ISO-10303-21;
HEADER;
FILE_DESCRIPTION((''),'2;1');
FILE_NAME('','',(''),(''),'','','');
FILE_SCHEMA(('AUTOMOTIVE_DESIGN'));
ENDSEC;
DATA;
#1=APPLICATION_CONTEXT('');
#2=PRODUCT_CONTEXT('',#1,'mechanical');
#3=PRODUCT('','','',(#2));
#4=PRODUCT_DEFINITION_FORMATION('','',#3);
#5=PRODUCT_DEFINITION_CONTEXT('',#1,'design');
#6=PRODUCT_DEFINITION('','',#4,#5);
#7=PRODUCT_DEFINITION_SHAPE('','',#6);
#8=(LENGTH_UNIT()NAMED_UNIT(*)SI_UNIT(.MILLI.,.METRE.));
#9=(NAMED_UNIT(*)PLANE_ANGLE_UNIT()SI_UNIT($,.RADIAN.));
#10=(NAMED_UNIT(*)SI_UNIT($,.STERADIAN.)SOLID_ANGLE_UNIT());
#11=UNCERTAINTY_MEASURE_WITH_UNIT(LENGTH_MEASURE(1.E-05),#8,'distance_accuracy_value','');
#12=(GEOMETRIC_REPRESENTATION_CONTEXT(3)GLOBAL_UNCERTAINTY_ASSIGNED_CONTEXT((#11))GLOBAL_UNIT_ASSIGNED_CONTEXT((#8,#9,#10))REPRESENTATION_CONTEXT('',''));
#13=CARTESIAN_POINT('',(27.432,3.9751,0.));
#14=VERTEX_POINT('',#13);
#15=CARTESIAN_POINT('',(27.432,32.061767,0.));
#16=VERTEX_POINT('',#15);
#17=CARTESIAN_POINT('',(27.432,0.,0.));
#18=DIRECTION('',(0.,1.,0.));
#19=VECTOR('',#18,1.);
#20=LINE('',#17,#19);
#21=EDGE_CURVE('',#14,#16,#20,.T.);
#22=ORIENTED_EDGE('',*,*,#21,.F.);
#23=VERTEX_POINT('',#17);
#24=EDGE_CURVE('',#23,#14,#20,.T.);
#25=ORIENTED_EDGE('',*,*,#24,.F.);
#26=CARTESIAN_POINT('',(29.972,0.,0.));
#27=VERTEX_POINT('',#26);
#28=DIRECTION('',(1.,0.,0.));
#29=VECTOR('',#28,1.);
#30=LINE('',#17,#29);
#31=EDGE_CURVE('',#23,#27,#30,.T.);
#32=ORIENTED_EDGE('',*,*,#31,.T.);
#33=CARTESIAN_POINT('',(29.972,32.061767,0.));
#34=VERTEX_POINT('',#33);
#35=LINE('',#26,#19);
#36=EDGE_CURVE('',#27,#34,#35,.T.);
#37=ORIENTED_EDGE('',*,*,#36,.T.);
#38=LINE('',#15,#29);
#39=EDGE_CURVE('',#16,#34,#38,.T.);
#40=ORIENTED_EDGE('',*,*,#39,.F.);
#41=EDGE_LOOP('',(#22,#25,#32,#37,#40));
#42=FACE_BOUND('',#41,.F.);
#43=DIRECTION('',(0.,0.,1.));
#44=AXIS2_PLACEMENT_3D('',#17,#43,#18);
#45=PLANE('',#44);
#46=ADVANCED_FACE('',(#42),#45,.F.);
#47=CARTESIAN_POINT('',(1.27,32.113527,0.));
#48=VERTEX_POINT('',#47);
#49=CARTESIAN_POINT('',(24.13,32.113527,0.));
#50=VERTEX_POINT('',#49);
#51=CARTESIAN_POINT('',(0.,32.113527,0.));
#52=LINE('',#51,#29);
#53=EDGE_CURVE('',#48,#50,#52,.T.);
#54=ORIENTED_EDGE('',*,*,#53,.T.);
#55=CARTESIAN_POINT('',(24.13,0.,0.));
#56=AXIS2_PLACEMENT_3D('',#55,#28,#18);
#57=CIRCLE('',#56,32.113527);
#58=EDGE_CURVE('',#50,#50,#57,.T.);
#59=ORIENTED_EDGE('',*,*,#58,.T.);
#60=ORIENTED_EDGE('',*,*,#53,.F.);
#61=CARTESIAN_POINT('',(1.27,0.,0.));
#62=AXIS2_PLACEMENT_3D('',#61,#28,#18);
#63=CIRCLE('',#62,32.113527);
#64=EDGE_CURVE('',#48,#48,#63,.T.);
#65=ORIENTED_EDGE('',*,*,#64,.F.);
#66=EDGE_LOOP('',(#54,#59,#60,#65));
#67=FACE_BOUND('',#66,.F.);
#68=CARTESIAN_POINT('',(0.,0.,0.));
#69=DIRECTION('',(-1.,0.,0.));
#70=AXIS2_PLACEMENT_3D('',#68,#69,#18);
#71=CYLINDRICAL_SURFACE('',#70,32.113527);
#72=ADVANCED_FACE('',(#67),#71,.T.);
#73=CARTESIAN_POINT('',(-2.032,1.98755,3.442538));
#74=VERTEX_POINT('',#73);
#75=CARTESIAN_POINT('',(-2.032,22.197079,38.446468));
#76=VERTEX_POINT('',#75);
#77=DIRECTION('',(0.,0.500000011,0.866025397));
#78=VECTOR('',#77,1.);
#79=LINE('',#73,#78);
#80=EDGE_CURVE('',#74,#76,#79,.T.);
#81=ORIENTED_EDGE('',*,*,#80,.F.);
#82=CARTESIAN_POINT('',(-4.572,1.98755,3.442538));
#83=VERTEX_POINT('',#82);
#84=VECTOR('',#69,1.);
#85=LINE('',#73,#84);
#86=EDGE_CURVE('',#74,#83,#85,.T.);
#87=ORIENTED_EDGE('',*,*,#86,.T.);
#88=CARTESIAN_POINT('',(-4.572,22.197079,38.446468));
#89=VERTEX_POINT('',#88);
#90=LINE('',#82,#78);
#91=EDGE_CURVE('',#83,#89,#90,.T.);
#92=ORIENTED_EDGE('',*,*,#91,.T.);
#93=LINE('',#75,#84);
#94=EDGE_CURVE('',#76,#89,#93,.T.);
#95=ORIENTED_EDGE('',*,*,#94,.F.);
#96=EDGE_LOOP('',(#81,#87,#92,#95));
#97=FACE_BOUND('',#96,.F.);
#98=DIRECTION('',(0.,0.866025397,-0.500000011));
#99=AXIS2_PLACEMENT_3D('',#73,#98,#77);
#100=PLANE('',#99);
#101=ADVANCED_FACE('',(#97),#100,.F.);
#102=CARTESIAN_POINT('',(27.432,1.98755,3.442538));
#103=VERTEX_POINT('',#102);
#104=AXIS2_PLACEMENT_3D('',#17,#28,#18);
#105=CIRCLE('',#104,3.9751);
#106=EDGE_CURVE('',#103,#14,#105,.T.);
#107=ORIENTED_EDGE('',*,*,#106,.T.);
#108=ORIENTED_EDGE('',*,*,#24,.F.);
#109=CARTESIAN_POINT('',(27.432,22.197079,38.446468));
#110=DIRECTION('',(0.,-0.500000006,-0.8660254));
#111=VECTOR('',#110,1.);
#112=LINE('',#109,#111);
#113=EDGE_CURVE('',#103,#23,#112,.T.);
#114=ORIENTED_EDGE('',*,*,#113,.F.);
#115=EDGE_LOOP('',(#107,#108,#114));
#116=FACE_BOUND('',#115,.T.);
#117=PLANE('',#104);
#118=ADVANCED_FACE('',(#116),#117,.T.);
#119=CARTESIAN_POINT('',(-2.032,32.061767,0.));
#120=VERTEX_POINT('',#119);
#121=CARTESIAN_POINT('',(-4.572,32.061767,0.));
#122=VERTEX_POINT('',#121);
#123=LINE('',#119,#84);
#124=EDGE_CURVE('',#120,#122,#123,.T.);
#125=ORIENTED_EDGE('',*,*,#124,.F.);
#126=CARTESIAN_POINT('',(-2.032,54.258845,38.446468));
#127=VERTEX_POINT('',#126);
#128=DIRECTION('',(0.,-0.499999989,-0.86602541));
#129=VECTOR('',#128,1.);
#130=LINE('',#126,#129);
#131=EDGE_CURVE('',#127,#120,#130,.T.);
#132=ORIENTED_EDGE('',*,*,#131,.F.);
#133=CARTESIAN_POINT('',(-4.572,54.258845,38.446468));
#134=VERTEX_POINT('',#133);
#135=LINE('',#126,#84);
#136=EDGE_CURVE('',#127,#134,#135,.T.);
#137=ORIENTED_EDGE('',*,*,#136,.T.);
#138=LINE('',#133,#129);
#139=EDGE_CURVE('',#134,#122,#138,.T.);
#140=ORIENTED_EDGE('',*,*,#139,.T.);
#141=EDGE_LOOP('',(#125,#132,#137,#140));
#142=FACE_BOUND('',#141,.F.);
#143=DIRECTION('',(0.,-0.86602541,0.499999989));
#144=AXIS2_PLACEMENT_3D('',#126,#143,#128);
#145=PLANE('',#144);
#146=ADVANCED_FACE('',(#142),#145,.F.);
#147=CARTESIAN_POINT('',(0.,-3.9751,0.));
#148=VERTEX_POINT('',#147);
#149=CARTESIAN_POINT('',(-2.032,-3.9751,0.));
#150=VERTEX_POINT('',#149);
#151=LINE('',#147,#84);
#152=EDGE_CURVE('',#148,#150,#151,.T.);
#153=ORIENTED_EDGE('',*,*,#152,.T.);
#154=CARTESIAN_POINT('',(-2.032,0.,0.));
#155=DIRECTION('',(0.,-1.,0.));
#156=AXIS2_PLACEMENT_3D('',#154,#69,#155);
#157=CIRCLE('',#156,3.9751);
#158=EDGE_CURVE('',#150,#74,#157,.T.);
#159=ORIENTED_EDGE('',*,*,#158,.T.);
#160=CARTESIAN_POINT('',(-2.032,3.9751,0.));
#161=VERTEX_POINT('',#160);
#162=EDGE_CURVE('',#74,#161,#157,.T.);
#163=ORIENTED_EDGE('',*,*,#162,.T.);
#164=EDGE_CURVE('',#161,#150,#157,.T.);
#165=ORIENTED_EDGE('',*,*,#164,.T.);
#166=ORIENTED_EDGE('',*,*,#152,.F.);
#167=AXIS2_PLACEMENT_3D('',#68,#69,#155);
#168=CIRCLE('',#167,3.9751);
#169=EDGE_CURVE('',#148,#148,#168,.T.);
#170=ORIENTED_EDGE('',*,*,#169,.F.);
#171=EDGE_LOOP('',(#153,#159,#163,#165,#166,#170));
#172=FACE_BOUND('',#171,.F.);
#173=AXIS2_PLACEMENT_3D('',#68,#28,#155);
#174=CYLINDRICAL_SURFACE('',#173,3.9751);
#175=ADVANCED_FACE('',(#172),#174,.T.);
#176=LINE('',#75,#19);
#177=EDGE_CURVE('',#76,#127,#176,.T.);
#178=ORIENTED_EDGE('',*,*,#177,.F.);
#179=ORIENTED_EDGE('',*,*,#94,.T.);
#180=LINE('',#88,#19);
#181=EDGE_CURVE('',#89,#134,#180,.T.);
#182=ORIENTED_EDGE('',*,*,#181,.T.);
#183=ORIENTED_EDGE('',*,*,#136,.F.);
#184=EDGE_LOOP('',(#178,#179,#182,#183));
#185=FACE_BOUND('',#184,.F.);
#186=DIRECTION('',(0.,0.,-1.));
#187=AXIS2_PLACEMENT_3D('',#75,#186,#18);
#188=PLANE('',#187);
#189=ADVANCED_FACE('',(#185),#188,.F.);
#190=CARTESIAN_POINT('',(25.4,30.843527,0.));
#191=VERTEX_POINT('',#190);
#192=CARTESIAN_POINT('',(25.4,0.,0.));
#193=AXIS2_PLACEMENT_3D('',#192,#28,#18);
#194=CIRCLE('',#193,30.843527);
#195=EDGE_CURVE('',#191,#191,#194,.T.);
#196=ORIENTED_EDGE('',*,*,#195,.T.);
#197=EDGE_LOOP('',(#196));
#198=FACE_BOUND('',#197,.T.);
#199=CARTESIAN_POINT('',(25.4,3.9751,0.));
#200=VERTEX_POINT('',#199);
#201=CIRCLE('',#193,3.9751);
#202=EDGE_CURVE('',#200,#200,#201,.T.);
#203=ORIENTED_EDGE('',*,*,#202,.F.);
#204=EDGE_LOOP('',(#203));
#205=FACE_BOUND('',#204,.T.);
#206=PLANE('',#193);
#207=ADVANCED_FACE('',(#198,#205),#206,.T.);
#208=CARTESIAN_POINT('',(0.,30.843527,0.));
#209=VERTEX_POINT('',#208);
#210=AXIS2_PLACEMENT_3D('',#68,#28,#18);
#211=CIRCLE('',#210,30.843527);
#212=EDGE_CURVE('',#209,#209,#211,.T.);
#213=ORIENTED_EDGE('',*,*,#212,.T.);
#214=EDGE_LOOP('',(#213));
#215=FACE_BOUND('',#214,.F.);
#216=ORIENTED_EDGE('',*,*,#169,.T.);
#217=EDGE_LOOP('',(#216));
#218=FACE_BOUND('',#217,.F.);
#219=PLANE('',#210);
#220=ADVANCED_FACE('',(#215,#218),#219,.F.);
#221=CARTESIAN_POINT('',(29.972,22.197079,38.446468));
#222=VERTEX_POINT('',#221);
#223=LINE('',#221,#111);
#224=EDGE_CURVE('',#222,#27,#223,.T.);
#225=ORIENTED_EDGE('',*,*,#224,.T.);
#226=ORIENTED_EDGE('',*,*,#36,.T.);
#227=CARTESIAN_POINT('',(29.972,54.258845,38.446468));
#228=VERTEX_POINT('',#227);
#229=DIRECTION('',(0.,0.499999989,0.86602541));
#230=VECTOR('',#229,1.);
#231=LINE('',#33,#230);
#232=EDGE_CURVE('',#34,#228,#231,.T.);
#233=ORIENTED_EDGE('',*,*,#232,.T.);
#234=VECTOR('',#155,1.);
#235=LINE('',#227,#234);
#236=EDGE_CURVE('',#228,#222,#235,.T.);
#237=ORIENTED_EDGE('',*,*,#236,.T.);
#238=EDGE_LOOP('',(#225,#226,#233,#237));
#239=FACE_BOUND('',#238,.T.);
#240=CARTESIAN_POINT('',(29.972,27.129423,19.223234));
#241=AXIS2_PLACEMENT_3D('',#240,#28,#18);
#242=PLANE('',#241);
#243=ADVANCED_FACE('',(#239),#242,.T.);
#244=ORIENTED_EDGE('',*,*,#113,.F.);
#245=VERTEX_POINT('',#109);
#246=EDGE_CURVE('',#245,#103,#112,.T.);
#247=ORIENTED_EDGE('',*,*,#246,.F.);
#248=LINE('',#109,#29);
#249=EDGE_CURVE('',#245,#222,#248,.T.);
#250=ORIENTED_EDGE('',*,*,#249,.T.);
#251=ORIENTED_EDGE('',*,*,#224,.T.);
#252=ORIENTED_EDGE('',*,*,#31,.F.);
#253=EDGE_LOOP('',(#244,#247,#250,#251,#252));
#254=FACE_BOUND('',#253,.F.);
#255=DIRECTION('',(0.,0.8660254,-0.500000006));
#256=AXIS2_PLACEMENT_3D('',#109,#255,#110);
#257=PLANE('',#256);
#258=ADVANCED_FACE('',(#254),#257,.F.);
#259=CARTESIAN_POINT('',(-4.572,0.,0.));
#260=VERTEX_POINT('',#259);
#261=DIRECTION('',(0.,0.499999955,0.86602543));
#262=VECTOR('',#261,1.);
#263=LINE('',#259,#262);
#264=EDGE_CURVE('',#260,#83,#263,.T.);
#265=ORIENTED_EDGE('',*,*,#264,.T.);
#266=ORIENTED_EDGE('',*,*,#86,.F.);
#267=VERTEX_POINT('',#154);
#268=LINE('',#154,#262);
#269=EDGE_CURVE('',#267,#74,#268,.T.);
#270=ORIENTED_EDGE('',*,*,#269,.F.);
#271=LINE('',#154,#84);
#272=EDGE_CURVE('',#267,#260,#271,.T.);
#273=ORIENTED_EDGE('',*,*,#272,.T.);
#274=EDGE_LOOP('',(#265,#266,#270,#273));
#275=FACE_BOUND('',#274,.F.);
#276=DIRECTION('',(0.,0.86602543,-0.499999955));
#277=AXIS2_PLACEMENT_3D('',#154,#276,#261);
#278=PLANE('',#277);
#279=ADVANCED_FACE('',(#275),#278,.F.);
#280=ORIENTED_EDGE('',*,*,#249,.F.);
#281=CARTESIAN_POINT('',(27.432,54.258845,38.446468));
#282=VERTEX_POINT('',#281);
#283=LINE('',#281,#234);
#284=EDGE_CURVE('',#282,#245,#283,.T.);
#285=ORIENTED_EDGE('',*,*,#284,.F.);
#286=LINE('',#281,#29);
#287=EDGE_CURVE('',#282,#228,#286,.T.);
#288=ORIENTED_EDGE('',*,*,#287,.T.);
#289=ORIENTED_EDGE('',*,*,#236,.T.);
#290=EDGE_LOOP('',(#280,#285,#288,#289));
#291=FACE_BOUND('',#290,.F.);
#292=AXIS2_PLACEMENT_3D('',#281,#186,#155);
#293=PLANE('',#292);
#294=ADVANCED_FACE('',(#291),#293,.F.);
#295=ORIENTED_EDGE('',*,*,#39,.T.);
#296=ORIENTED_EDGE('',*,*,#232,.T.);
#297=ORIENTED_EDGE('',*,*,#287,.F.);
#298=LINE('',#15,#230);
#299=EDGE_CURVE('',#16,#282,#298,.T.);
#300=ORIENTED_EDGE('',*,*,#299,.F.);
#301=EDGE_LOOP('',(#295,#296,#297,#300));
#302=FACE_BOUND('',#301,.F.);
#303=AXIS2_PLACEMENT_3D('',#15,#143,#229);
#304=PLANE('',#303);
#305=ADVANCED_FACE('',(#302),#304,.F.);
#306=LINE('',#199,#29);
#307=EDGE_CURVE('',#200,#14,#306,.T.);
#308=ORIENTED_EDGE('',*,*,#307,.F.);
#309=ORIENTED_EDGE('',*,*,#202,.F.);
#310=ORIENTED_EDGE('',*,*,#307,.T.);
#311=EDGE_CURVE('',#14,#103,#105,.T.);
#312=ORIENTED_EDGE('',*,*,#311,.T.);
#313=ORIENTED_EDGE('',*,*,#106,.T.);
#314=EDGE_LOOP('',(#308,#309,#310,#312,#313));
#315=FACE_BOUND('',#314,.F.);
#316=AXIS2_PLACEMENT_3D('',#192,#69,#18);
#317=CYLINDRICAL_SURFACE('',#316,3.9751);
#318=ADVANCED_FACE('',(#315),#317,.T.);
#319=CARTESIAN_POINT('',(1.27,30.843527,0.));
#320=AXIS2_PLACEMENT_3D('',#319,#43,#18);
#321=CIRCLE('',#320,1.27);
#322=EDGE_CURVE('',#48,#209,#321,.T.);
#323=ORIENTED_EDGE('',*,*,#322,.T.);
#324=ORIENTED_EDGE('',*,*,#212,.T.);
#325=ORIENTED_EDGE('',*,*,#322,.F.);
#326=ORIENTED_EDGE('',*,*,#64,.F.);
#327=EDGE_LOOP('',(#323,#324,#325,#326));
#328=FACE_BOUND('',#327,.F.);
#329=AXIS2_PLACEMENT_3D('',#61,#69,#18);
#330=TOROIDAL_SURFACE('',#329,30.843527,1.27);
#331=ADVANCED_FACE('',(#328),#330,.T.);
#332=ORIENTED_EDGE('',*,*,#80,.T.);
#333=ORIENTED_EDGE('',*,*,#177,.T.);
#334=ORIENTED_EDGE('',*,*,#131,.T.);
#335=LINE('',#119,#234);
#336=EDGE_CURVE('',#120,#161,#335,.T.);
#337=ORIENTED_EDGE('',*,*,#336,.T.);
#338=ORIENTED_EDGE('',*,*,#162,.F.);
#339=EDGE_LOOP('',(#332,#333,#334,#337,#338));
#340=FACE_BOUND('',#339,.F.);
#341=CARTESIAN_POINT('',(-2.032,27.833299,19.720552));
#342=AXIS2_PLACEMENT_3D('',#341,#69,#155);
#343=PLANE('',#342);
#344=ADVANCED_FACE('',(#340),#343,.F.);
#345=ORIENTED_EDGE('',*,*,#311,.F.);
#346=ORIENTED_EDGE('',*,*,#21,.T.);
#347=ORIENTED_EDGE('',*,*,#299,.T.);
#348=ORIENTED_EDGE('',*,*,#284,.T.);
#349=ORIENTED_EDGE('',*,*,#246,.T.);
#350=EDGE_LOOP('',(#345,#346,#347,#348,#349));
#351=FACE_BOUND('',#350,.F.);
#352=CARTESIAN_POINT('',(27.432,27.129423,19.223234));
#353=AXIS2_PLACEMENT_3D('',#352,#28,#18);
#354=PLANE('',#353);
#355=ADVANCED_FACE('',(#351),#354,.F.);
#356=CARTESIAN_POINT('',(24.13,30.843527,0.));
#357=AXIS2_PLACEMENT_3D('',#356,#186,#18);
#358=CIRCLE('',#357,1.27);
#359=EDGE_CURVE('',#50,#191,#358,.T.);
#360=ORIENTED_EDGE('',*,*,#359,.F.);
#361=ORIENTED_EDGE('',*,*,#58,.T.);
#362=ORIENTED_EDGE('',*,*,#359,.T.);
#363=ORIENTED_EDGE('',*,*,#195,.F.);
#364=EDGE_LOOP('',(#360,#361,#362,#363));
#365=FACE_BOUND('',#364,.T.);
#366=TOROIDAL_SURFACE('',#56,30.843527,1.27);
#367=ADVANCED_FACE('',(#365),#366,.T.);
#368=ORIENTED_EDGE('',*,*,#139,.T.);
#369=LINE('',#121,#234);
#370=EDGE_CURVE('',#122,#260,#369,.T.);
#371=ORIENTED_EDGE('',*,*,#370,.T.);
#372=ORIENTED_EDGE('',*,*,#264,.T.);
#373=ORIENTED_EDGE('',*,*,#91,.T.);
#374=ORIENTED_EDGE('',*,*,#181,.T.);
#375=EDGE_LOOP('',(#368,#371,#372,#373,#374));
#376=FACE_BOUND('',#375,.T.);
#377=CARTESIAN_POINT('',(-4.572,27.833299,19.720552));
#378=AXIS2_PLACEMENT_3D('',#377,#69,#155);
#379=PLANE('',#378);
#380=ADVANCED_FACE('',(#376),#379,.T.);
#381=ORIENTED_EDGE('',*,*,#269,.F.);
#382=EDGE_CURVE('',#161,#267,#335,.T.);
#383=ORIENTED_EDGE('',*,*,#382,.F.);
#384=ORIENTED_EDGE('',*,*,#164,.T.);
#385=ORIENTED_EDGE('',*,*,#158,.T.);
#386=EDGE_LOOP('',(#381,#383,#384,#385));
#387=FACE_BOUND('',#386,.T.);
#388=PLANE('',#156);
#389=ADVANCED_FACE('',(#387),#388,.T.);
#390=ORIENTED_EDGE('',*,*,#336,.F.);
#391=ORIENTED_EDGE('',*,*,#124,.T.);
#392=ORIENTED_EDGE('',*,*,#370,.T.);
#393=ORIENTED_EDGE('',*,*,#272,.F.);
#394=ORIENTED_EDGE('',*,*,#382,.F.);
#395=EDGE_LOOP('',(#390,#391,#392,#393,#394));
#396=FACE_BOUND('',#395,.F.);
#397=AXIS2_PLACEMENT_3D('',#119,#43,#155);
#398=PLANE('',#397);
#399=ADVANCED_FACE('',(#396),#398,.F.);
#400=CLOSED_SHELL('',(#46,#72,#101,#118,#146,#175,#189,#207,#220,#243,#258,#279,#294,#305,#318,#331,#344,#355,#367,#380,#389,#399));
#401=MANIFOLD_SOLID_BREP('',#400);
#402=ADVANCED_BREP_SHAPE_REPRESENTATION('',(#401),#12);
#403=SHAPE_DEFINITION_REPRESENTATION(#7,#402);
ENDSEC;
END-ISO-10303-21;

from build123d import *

# Parameters (mm, degrees)
F0_R      = 32.113527
F1_DEPTH  = 25.4
F2_R      = 1.27
F3_R      = 1.27
F4_R      = 3.9751
F5_DEPTH  = 2.032
F7_R      = 3.9751
F8_DEPTH  = 2.032
F10_DEPTH = 2.54
F12_DEPTH = 2.54


with BuildPart() as f1:
    # F0 (on Right) → F1 (new body)
    with BuildSketch(Plane.YZ):
        Circle(F0_R)
    extrude(amount=F1_DEPTH)

    # F2
    f2_edges = [f1.edges().sort_by_distance(p)[0] for p in [
        (25.4, -32.113527, 0),
    ]]
    fillet(f2_edges, radius=F2_R)

    # F3
    f3_edges = [f1.edges().sort_by_distance(p)[0] for p in [
        (0, -32.113527, 0),
    ]]
    fillet(f3_edges, radius=F3_R)

    # F4 (on face) → F5 (join)
    with BuildSketch(Plane.YZ.offset(25.4)):
        Circle(F4_R)
    extrude(amount=F5_DEPTH)

    # F7 (on face) → F8 (join)
    with BuildSketch(Plane(origin=(0, 0, 0), x_dir=(0, -1, 0), z_dir=(-1, 0, 0))):
        Circle(F7_R)
    extrude(amount=F8_DEPTH)

    # F9 (on face) → F10 (join)
    with BuildSketch(Plane(origin=(-2.032, 0, 0), x_dir=(0, -1, 0), z_dir=(-1, 0, 0))):
        with BuildLine():
            ThreePointArc((-3.9751, 0), (-3.442538, 1.98755), (-1.98755, 3.442538))
            Line((-1.98755, 3.442538), (-22.197079, 38.446468))
            Line((-22.197079, 38.446468), (-54.258845, 38.446468))
            Line((-54.258845, 38.446468), (-32.061767, 0))
            Line((-32.061767, 0), (-3.9751, 0))
        make_face()
        with BuildLine():
            Line((-3.9751, 0), (0, 0))
            Line((0, 0), (-1.98755, 3.442538))
            ThreePointArc((-1.98755, 3.442538), (-3.442538, 1.98755), (-3.9751, 0))
        make_face()
    extrude(amount=F10_DEPTH)

    # F11 (on face) → F12 (join)
    with BuildSketch(Plane.YZ.offset(27.432)):
        Polygon((32.061767, 0), (54.258845, 38.446468), (22.197079, 38.446468), (0, 0), align=None)
    extrude(amount=F12_DEPTH)


solid = f1.part
